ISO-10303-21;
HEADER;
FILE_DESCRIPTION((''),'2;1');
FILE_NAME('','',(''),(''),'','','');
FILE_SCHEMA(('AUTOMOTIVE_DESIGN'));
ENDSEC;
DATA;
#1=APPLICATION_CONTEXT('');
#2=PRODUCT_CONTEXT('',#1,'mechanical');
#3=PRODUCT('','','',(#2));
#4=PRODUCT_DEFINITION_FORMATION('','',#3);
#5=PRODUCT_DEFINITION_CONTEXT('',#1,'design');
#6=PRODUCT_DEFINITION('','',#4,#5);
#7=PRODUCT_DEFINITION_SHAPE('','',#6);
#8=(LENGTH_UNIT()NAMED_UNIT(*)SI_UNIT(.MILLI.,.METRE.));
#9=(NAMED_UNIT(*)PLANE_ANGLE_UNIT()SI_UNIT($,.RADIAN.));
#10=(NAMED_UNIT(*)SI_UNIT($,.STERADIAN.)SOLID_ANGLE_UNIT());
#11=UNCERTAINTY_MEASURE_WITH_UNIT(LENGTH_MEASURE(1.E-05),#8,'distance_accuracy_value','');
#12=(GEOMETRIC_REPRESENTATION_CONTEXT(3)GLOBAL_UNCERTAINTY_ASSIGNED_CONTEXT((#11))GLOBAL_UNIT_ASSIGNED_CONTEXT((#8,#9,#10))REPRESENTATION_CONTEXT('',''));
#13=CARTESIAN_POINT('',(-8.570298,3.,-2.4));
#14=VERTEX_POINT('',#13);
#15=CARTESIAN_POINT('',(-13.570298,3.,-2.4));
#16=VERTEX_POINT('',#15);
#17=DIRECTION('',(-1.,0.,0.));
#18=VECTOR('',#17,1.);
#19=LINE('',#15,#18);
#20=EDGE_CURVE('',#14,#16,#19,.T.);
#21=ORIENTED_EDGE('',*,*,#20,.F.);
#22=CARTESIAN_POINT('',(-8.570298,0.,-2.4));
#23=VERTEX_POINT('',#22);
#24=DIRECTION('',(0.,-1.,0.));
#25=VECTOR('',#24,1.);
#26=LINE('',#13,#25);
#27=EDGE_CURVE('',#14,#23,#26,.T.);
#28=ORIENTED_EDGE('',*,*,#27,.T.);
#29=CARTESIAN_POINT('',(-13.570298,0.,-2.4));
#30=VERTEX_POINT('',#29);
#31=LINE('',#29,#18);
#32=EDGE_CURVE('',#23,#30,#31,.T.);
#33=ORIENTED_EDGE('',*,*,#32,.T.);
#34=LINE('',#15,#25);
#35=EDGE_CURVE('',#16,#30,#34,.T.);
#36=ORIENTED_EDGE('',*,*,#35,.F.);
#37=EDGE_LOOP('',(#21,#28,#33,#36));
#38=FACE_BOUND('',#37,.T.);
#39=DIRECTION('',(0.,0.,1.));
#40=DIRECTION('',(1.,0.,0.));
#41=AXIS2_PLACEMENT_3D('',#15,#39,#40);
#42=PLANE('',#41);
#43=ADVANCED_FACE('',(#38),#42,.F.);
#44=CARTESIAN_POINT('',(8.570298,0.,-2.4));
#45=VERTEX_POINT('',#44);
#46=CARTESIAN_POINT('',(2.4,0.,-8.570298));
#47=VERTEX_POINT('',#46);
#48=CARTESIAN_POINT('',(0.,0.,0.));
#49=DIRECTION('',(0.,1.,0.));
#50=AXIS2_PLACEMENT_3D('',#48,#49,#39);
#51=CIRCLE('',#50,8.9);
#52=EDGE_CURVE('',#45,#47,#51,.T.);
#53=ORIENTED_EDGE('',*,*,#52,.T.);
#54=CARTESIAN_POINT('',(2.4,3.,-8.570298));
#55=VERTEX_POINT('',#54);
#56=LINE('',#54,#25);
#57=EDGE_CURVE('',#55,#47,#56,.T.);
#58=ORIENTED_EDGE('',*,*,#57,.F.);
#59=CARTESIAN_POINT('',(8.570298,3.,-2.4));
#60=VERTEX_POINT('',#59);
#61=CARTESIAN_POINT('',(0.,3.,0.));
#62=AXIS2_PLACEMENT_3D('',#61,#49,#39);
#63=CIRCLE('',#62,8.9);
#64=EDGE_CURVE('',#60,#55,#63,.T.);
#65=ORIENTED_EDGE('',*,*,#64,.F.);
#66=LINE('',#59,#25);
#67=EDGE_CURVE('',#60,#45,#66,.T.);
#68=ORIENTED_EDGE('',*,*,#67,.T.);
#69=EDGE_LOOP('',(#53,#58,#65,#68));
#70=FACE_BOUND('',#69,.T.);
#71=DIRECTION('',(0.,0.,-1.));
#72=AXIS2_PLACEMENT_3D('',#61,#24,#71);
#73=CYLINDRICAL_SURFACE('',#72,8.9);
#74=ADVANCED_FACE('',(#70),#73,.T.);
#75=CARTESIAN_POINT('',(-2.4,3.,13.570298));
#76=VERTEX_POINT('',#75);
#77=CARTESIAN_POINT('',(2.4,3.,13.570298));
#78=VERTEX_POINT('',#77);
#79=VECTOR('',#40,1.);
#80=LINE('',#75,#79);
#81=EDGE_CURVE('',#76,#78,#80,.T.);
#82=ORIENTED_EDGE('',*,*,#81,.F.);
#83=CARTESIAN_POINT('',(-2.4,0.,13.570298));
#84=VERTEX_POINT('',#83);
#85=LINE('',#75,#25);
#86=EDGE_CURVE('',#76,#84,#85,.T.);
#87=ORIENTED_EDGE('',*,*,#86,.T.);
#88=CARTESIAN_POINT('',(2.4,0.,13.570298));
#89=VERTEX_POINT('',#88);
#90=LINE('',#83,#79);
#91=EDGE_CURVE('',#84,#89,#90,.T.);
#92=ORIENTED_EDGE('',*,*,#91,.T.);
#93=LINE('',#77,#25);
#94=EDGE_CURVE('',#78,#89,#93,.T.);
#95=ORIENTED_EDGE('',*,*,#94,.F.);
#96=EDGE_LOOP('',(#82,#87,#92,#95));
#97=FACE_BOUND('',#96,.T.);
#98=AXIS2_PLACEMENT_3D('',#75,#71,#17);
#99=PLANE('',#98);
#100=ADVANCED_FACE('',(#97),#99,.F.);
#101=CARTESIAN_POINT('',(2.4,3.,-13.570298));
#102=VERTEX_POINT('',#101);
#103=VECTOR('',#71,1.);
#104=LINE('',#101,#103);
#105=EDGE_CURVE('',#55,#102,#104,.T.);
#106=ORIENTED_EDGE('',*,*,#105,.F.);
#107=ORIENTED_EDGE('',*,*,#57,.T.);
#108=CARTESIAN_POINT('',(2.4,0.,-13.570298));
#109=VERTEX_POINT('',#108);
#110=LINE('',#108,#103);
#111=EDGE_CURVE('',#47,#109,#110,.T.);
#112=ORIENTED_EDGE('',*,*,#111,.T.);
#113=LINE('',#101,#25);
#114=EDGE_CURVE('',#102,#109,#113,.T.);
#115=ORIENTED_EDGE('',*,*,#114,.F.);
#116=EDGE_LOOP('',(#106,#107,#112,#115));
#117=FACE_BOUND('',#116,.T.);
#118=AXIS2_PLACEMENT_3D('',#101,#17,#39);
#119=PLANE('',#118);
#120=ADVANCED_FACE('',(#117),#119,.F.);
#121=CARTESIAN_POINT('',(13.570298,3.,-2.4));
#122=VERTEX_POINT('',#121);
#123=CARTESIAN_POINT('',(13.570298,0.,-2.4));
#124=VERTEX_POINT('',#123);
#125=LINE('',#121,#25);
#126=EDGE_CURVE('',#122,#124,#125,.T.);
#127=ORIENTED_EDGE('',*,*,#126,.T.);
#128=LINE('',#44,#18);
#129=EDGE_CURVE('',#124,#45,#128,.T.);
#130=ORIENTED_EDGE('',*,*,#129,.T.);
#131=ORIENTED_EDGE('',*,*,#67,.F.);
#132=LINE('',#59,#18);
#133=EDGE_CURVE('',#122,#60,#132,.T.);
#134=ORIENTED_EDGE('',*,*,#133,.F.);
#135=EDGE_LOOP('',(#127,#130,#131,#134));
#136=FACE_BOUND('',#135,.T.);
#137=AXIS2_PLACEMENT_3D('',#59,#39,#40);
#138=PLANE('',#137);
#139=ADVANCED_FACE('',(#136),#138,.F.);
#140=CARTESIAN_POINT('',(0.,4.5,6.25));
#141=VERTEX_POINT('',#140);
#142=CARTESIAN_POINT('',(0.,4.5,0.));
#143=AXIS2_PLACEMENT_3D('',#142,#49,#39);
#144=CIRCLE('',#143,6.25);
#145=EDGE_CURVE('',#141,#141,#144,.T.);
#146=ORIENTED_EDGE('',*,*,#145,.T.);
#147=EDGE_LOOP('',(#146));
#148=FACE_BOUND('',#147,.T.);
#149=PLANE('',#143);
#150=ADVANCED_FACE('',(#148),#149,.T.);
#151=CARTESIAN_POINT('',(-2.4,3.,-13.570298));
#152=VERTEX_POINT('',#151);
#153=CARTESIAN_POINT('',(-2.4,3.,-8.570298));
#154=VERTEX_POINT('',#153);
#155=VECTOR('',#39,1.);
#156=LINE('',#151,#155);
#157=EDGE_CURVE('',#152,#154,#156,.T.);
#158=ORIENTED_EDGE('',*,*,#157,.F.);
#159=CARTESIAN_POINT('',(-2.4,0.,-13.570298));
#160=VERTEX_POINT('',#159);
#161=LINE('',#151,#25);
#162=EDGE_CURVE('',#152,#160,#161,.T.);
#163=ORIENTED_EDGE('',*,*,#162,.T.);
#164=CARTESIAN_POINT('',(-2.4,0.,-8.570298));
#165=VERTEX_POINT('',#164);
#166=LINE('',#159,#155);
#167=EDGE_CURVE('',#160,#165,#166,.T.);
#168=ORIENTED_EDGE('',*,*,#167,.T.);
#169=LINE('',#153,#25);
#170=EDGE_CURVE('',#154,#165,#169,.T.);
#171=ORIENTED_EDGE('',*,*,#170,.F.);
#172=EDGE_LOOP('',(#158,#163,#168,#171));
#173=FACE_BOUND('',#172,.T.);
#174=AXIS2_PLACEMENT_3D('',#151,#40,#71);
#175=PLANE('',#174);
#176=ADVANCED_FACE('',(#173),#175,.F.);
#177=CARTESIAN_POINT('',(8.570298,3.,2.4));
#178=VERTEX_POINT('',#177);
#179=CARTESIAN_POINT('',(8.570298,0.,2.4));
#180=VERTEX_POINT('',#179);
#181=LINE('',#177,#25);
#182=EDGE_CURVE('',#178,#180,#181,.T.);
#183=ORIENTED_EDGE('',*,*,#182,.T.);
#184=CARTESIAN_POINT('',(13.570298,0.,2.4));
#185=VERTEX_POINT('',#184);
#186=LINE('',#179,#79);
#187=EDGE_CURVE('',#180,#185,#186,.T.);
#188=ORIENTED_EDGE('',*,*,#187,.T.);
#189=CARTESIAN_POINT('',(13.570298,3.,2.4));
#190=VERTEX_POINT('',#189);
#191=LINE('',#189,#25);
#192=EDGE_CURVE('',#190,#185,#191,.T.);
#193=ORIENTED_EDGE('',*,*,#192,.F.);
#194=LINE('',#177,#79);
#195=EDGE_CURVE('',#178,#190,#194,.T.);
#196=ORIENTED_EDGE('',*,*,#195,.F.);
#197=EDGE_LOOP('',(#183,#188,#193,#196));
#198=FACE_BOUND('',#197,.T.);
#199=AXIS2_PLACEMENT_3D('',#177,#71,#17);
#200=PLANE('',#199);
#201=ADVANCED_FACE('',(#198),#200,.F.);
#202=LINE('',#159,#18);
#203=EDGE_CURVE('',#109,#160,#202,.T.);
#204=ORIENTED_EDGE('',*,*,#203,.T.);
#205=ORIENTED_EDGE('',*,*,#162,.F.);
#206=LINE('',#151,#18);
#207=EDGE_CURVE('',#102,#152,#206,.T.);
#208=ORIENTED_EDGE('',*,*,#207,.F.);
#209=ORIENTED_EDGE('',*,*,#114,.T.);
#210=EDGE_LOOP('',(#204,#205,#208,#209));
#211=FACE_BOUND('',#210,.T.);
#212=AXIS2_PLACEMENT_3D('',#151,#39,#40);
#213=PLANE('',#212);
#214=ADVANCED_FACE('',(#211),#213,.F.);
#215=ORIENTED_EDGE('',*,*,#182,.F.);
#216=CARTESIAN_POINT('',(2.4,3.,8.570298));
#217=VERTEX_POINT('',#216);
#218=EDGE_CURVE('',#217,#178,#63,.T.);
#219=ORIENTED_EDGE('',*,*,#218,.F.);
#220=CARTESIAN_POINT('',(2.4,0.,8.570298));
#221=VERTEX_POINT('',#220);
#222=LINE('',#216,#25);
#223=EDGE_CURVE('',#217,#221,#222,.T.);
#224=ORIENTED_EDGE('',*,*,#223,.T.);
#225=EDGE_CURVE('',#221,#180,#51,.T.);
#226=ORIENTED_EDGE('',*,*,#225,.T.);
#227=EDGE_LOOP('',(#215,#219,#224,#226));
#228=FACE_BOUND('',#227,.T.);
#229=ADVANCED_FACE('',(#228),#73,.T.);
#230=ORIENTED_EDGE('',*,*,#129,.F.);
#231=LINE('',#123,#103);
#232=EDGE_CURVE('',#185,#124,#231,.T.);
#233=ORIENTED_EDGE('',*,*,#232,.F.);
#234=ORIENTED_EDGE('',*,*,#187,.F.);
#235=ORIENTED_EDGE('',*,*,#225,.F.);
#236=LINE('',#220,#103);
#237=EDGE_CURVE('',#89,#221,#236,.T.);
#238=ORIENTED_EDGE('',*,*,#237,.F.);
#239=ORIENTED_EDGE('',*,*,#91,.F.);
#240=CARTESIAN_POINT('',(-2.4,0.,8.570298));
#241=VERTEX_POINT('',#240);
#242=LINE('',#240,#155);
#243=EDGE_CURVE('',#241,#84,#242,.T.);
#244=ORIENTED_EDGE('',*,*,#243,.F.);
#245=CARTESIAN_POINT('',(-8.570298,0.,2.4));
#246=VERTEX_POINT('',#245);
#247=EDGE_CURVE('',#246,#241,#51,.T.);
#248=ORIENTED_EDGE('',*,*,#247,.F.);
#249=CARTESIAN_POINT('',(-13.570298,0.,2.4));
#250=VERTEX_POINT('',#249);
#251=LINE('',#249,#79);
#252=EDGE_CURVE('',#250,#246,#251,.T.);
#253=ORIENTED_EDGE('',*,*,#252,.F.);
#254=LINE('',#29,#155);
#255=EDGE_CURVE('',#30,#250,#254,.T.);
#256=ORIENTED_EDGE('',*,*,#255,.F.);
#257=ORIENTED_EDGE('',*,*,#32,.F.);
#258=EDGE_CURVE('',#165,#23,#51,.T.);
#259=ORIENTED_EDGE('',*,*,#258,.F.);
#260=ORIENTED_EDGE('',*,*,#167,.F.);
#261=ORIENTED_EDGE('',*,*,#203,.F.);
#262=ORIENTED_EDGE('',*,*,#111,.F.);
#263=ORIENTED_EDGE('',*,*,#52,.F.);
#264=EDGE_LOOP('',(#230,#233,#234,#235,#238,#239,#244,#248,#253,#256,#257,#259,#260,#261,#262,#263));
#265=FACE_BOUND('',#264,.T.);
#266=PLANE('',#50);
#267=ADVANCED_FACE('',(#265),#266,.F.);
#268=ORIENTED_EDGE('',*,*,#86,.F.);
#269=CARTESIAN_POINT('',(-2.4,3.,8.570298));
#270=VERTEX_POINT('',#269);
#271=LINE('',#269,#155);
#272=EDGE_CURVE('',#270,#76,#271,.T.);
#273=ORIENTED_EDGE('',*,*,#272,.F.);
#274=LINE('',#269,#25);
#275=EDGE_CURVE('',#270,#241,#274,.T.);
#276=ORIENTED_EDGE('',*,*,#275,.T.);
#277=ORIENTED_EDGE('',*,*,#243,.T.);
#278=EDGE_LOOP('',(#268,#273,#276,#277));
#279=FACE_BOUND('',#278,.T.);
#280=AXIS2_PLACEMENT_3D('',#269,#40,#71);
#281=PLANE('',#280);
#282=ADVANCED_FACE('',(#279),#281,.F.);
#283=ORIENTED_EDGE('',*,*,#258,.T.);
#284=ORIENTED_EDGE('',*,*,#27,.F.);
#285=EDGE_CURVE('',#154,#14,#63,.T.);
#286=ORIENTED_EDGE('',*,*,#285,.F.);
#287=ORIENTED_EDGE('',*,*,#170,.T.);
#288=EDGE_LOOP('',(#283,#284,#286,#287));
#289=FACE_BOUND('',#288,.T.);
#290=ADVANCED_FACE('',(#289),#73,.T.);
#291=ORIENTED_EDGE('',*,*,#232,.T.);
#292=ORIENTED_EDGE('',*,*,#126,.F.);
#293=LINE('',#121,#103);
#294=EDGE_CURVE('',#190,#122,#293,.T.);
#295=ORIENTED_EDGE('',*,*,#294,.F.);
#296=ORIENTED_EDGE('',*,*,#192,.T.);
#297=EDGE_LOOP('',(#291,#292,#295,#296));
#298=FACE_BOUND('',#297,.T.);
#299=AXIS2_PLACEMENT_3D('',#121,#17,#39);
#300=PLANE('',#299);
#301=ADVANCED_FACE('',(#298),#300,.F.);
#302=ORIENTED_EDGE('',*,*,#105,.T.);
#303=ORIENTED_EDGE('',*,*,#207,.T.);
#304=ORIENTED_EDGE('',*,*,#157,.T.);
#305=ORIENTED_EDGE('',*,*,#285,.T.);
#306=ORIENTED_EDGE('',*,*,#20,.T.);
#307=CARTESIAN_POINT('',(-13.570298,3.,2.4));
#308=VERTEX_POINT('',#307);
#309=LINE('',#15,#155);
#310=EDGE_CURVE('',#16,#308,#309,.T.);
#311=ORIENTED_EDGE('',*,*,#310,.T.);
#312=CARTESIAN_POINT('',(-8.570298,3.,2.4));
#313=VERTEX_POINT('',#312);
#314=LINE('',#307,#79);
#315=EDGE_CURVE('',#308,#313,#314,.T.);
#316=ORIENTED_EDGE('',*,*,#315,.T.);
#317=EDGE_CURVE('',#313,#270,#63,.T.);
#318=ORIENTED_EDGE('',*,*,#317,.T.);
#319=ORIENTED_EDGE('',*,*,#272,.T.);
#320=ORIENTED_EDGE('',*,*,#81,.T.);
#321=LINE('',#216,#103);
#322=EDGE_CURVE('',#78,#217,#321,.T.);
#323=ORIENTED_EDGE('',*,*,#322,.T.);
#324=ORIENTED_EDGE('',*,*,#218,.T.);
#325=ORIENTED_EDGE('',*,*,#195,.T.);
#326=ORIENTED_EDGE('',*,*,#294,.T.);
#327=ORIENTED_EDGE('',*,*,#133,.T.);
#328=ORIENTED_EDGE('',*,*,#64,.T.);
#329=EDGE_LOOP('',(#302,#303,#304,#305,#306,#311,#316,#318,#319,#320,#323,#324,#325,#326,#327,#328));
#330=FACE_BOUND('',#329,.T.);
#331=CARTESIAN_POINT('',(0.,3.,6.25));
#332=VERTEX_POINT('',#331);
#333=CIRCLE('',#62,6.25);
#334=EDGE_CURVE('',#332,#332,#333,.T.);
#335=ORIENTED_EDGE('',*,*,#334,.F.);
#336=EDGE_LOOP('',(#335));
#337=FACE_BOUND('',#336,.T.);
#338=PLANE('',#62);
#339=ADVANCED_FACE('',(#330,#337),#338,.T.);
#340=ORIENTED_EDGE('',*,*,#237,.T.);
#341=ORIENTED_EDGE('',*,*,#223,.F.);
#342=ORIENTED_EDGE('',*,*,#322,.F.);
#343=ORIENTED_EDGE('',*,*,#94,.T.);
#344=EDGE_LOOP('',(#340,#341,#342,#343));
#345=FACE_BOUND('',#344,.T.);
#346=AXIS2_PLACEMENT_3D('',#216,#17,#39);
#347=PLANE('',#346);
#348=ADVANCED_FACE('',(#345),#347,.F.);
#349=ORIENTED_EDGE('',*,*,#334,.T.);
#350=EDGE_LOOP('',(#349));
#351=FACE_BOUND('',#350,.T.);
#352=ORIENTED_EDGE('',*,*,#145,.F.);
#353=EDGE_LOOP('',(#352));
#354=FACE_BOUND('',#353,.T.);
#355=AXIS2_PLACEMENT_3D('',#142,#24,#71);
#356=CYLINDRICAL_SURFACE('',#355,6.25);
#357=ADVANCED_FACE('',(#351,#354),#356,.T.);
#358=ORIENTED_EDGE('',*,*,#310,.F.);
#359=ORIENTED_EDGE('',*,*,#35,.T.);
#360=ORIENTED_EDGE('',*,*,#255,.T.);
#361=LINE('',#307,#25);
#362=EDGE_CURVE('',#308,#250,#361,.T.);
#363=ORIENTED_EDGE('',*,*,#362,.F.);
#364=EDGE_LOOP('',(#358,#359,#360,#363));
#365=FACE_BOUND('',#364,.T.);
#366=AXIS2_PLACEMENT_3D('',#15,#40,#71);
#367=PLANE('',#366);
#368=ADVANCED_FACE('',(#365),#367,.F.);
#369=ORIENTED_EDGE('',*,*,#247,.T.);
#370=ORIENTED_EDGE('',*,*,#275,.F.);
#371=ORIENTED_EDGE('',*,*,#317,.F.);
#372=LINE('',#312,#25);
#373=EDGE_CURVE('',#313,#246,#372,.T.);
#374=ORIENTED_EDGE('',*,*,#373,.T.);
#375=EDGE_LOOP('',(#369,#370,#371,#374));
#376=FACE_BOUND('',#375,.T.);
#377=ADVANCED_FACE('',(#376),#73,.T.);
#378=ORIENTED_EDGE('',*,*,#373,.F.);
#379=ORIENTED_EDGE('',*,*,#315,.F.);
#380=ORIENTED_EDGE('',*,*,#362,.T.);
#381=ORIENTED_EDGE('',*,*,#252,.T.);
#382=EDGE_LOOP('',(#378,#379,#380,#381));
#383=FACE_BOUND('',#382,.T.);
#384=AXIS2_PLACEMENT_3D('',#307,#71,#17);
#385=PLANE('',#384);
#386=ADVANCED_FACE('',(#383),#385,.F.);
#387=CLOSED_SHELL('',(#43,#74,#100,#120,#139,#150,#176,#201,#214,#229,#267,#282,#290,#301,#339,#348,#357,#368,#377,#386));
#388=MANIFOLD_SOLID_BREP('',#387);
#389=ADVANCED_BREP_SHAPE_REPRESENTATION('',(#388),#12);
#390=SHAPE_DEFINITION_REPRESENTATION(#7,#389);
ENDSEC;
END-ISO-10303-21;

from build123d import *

# Parameters (mm, degrees)
EXTRUDE_1_DEPTH = 3
SKETCH_2_R      = 6.25
EXTRUDE_2_DEPTH = 1.5


with BuildPart() as part:
    # 草图1 → 凸台-拉伸1 (new body)
    with BuildSketch(Plane(origin=(0, 0, 0), x_dir=(1, 0, 0), z_dir=(0, 1, 0))):
        with BuildLine():
            Line((-13.570297544, 2.4), (-8.570297544, 2.4))
            ThreePointArc((-8.570297544, 2.4), (-6.293250353, 6.293250353), (-2.4, 8.570297544))
            Line((-2.4, 8.570297544), (-2.4, 13.570297544))
            Line((-2.4, 13.570297544), (2.4, 13.570297544))
            Line((2.4, 13.570297544), (2.4, 8.570297544))
            ThreePointArc((2.4, 8.570297544), (6.293250353, 6.293250353), (8.570297544, 2.4))
            Line((8.570297544, 2.4), (13.570297544, 2.4))
            Line((13.570297544, 2.4), (13.570297544, -2.4))
            Line((13.570297544, -2.4), (8.570297544, -2.4))
            ThreePointArc((8.570297544, -2.4), (6.293250353, -6.293250353), (2.4, -8.570297544))
            Line((2.4, -8.570297544), (2.4, -13.570297544))
            Line((2.4, -13.570297544), (-2.4, -13.570297544))
            Line((-2.4, -13.570297544), (-2.4, -8.570297544))
            ThreePointArc((-2.4, -8.570297544), (-6.293250353, -6.293250353), (-8.570297544, -2.4))
            Line((-8.570297544, -2.4), (-13.570297544, -2.4))
            Line((-13.570297544, -2.4), (-13.570297544, 2.4))
        make_face()
    extrude(amount=EXTRUDE_1_DEPTH)

    # 草图2 → 凸台-拉伸2 (add)
    with BuildSketch(Plane(origin=(0, 3, 0), x_dir=(1, 0, 0), z_dir=(0, 1, 0))):
        Circle(SKETCH_2_R)
    extrude(amount=EXTRUDE_2_DEPTH)


solid = part.part
